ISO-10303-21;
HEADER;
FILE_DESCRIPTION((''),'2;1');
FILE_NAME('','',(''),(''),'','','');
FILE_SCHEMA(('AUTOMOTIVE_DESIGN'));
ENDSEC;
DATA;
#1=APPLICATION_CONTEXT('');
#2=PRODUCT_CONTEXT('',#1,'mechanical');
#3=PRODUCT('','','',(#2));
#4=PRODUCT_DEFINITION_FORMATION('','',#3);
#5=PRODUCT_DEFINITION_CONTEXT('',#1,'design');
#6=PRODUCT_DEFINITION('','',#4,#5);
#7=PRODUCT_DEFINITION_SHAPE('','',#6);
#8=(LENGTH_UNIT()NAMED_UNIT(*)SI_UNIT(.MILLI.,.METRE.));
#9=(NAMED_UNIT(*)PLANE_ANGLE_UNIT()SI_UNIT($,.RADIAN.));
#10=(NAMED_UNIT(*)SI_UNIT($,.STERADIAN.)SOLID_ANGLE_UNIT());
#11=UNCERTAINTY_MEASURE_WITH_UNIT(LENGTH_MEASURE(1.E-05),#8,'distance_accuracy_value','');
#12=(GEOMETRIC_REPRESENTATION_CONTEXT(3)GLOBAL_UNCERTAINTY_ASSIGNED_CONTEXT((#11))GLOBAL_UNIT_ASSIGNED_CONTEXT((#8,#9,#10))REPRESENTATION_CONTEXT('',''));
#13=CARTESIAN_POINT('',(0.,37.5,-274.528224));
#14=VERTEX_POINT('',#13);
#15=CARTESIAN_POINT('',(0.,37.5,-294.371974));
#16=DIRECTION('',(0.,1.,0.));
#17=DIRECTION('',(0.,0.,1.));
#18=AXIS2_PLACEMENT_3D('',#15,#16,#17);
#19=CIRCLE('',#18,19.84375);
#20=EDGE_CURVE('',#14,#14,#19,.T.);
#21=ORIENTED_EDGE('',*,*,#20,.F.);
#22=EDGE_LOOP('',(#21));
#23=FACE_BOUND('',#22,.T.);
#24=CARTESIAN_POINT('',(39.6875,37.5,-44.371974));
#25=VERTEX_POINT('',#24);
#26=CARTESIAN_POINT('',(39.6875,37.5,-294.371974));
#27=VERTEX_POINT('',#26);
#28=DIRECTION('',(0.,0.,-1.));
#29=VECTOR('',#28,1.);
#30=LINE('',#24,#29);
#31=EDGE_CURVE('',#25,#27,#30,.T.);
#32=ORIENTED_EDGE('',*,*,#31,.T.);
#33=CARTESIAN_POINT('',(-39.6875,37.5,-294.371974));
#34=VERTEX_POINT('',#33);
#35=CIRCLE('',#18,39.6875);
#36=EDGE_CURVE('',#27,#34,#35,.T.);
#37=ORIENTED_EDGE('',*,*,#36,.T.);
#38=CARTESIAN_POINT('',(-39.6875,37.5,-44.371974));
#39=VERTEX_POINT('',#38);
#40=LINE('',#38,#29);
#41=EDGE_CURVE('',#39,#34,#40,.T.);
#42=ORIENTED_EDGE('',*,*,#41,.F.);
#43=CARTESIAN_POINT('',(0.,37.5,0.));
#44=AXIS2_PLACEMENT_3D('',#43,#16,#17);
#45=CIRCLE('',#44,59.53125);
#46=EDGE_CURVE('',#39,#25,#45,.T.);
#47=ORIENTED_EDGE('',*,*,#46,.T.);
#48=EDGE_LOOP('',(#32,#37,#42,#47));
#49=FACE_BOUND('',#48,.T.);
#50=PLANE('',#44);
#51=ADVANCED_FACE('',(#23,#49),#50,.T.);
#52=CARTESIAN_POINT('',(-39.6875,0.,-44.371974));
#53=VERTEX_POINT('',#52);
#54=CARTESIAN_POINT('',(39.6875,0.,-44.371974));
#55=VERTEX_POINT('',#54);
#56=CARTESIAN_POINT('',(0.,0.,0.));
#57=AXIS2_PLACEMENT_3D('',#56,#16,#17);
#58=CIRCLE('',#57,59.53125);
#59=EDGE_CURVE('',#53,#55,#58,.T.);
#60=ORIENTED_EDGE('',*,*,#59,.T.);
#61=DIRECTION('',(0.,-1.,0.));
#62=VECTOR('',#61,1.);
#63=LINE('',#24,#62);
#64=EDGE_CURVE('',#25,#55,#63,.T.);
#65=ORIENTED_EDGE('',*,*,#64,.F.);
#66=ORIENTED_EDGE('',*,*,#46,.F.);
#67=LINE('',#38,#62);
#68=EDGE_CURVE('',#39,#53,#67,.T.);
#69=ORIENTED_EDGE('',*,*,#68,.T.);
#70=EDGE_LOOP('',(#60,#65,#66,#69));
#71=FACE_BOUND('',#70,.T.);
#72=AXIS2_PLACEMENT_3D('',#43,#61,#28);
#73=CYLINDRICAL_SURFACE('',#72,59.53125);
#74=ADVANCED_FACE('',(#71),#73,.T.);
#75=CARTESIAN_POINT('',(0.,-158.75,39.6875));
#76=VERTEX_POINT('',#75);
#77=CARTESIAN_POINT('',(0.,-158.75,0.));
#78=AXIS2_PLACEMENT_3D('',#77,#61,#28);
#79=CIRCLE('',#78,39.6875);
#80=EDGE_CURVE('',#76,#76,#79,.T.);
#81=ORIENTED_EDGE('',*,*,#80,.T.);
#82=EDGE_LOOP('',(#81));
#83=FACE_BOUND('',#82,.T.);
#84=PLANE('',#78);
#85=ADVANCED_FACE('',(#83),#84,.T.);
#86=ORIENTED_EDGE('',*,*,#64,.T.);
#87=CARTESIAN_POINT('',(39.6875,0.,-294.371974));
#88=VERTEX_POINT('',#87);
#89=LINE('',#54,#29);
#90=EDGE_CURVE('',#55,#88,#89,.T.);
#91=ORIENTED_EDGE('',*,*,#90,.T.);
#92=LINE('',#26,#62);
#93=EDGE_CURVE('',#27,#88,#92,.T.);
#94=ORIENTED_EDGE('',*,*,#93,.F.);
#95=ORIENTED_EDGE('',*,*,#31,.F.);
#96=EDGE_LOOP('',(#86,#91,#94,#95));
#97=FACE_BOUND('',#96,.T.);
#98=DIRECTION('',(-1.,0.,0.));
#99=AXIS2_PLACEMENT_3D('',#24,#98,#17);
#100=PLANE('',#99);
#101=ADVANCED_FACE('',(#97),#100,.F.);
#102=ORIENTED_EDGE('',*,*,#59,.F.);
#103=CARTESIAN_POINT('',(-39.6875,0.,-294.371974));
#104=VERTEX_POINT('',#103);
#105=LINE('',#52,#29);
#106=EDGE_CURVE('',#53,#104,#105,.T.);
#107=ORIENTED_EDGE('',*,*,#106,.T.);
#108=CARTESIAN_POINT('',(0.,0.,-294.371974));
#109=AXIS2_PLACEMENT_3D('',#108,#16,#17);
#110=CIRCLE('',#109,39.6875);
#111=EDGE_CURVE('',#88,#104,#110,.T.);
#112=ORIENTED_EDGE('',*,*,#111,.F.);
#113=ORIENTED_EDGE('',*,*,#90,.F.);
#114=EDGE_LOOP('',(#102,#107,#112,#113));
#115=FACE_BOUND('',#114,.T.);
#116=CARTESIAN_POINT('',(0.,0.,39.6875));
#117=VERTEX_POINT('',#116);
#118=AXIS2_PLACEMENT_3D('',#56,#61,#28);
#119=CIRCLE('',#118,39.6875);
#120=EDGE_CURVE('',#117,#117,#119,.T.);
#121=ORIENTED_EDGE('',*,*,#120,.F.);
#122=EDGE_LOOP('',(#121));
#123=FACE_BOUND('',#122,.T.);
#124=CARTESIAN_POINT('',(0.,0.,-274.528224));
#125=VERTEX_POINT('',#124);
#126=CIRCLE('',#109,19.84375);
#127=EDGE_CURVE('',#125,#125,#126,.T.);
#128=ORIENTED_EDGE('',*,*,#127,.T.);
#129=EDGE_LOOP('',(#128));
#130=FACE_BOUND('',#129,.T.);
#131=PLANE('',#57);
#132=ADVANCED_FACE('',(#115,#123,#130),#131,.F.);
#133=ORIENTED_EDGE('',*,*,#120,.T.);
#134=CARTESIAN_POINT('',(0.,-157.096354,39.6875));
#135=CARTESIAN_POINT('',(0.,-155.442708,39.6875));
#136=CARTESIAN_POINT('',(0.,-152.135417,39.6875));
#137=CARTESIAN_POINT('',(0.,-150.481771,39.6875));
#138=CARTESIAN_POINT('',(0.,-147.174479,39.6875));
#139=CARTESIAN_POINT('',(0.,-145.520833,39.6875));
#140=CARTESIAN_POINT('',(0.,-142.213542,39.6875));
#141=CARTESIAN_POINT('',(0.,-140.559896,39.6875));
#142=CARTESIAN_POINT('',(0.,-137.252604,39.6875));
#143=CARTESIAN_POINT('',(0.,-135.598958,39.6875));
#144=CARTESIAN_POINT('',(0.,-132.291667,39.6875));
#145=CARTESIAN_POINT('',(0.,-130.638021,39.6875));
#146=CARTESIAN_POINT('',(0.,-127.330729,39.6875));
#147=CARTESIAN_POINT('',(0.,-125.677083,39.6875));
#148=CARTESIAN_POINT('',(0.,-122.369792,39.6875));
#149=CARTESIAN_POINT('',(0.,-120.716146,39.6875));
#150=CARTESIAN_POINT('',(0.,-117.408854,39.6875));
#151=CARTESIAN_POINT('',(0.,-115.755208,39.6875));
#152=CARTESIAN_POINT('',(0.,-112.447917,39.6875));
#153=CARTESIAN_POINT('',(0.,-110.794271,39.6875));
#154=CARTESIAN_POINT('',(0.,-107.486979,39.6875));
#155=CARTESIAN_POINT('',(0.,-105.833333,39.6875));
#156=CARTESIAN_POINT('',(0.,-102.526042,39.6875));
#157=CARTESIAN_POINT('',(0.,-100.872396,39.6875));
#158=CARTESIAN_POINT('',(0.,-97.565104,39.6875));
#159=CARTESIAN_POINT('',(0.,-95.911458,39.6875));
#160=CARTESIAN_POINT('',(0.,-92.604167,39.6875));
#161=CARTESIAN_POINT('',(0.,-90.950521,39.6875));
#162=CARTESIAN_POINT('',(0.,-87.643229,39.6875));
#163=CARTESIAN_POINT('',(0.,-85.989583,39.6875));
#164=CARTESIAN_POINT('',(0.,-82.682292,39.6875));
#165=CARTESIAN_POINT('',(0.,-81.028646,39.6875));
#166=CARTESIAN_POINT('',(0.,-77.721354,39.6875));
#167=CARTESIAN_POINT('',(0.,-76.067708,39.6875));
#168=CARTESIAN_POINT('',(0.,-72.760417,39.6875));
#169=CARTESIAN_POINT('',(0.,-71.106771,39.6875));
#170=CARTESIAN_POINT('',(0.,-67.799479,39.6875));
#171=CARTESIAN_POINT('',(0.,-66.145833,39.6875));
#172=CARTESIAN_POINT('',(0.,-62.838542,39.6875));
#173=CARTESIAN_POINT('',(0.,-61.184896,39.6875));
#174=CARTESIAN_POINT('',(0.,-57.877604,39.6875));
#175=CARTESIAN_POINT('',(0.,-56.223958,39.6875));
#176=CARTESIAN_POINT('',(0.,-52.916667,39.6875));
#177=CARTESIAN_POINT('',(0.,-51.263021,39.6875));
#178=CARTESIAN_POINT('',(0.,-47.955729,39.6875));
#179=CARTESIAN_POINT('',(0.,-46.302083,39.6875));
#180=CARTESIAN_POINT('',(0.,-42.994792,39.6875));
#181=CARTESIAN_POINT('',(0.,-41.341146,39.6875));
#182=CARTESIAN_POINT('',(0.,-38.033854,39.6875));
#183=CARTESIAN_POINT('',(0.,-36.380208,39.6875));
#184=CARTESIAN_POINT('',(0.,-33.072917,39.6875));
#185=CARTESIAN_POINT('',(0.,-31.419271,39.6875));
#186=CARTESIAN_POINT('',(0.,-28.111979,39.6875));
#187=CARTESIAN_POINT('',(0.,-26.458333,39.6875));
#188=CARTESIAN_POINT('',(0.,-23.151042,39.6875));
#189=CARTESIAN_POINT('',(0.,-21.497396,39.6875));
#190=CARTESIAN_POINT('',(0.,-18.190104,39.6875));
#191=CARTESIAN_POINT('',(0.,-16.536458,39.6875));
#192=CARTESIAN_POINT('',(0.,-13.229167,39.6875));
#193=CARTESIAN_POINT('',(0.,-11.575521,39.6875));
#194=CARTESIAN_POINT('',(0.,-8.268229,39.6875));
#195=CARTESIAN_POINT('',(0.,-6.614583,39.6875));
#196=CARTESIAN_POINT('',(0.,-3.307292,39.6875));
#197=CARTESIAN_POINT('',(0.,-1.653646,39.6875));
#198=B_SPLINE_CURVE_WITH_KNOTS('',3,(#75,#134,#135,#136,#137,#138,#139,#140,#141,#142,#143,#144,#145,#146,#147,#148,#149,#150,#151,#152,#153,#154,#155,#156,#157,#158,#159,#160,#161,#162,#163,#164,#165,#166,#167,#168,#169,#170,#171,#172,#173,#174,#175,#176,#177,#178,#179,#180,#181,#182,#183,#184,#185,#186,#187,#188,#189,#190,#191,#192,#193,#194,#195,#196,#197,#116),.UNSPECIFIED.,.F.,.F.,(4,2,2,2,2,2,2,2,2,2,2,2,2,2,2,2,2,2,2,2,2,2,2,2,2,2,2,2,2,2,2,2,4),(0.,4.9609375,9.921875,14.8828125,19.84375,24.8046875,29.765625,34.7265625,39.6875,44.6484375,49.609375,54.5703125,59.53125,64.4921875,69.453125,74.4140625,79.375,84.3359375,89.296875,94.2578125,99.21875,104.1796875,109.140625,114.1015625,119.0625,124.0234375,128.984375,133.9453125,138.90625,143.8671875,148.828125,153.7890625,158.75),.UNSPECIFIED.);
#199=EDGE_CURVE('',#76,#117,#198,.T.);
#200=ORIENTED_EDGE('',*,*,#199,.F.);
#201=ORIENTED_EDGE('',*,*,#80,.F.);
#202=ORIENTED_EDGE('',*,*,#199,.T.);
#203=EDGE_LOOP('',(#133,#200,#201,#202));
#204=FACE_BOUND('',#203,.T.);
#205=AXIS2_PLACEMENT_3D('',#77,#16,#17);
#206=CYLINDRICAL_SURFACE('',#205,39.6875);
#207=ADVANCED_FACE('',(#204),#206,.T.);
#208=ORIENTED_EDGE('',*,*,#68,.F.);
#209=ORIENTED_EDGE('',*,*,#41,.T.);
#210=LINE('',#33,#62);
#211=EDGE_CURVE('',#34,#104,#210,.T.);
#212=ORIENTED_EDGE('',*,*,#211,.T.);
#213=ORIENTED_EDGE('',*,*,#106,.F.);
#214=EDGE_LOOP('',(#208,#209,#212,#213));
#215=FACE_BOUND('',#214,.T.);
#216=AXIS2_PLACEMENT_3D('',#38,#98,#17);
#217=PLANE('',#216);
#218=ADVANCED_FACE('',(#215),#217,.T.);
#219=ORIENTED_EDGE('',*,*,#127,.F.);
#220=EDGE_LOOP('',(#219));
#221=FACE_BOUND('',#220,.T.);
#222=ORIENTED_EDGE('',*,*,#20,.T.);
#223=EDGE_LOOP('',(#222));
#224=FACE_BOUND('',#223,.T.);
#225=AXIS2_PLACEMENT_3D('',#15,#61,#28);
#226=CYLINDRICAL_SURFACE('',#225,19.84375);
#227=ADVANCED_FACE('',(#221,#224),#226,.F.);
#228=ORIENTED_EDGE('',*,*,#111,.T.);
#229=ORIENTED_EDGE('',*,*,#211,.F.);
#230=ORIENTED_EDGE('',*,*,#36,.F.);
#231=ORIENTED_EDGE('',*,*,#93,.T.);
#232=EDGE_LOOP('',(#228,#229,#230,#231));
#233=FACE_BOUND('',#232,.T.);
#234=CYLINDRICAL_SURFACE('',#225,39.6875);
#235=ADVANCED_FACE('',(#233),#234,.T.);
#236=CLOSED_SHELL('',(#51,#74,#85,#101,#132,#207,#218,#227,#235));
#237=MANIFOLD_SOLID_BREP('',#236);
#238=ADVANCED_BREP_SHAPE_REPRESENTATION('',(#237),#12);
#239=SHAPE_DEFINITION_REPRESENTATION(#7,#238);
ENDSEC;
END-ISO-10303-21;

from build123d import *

# Parameters (mm, degrees)
SKETCH1_R           = 19.84375
BOSS_EXTRUDE1_DEPTH = 37.5
SKETCH2_R           = 39.6875
BOSS_EXTRUDE2_DEPTH = 158.75


with BuildPart() as part:
    # Sketch1 → Boss-Extrude1 (new body)
    with BuildSketch(Plane(origin=(0, 0, 0), x_dir=(1, 0, 0), z_dir=(0, 1, 0))):
        with BuildLine():
            Line((-39.6875, 44.371973929), (-39.6875, 294.371973929))
            ThreePointArc((-39.6875, 294.371973929), (0, 334.059473929), (39.6875, 294.371973929))
            Line((39.6875, 294.371973929), (39.6875, 44.371973929))
            ThreePointArc((39.6875, 44.371973929), (0, -59.53125), (-39.6875, 44.371973929))
        make_face()
        with Locations(Location((0, 294.371973929, 0), (0, 0, 270))):
            Circle(SKETCH1_R, mode=Mode.SUBTRACT)
    extrude(amount=BOSS_EXTRUDE1_DEPTH)

    # Sketch2 → Boss-Extrude2 (add)
    with BuildSketch(Plane.XZ):
        with Locations(Location((0, 0, 0), (0, 0, 90))):
            Circle(SKETCH2_R)
    extrude(amount=BOSS_EXTRUDE2_DEPTH)


solid = part.part
